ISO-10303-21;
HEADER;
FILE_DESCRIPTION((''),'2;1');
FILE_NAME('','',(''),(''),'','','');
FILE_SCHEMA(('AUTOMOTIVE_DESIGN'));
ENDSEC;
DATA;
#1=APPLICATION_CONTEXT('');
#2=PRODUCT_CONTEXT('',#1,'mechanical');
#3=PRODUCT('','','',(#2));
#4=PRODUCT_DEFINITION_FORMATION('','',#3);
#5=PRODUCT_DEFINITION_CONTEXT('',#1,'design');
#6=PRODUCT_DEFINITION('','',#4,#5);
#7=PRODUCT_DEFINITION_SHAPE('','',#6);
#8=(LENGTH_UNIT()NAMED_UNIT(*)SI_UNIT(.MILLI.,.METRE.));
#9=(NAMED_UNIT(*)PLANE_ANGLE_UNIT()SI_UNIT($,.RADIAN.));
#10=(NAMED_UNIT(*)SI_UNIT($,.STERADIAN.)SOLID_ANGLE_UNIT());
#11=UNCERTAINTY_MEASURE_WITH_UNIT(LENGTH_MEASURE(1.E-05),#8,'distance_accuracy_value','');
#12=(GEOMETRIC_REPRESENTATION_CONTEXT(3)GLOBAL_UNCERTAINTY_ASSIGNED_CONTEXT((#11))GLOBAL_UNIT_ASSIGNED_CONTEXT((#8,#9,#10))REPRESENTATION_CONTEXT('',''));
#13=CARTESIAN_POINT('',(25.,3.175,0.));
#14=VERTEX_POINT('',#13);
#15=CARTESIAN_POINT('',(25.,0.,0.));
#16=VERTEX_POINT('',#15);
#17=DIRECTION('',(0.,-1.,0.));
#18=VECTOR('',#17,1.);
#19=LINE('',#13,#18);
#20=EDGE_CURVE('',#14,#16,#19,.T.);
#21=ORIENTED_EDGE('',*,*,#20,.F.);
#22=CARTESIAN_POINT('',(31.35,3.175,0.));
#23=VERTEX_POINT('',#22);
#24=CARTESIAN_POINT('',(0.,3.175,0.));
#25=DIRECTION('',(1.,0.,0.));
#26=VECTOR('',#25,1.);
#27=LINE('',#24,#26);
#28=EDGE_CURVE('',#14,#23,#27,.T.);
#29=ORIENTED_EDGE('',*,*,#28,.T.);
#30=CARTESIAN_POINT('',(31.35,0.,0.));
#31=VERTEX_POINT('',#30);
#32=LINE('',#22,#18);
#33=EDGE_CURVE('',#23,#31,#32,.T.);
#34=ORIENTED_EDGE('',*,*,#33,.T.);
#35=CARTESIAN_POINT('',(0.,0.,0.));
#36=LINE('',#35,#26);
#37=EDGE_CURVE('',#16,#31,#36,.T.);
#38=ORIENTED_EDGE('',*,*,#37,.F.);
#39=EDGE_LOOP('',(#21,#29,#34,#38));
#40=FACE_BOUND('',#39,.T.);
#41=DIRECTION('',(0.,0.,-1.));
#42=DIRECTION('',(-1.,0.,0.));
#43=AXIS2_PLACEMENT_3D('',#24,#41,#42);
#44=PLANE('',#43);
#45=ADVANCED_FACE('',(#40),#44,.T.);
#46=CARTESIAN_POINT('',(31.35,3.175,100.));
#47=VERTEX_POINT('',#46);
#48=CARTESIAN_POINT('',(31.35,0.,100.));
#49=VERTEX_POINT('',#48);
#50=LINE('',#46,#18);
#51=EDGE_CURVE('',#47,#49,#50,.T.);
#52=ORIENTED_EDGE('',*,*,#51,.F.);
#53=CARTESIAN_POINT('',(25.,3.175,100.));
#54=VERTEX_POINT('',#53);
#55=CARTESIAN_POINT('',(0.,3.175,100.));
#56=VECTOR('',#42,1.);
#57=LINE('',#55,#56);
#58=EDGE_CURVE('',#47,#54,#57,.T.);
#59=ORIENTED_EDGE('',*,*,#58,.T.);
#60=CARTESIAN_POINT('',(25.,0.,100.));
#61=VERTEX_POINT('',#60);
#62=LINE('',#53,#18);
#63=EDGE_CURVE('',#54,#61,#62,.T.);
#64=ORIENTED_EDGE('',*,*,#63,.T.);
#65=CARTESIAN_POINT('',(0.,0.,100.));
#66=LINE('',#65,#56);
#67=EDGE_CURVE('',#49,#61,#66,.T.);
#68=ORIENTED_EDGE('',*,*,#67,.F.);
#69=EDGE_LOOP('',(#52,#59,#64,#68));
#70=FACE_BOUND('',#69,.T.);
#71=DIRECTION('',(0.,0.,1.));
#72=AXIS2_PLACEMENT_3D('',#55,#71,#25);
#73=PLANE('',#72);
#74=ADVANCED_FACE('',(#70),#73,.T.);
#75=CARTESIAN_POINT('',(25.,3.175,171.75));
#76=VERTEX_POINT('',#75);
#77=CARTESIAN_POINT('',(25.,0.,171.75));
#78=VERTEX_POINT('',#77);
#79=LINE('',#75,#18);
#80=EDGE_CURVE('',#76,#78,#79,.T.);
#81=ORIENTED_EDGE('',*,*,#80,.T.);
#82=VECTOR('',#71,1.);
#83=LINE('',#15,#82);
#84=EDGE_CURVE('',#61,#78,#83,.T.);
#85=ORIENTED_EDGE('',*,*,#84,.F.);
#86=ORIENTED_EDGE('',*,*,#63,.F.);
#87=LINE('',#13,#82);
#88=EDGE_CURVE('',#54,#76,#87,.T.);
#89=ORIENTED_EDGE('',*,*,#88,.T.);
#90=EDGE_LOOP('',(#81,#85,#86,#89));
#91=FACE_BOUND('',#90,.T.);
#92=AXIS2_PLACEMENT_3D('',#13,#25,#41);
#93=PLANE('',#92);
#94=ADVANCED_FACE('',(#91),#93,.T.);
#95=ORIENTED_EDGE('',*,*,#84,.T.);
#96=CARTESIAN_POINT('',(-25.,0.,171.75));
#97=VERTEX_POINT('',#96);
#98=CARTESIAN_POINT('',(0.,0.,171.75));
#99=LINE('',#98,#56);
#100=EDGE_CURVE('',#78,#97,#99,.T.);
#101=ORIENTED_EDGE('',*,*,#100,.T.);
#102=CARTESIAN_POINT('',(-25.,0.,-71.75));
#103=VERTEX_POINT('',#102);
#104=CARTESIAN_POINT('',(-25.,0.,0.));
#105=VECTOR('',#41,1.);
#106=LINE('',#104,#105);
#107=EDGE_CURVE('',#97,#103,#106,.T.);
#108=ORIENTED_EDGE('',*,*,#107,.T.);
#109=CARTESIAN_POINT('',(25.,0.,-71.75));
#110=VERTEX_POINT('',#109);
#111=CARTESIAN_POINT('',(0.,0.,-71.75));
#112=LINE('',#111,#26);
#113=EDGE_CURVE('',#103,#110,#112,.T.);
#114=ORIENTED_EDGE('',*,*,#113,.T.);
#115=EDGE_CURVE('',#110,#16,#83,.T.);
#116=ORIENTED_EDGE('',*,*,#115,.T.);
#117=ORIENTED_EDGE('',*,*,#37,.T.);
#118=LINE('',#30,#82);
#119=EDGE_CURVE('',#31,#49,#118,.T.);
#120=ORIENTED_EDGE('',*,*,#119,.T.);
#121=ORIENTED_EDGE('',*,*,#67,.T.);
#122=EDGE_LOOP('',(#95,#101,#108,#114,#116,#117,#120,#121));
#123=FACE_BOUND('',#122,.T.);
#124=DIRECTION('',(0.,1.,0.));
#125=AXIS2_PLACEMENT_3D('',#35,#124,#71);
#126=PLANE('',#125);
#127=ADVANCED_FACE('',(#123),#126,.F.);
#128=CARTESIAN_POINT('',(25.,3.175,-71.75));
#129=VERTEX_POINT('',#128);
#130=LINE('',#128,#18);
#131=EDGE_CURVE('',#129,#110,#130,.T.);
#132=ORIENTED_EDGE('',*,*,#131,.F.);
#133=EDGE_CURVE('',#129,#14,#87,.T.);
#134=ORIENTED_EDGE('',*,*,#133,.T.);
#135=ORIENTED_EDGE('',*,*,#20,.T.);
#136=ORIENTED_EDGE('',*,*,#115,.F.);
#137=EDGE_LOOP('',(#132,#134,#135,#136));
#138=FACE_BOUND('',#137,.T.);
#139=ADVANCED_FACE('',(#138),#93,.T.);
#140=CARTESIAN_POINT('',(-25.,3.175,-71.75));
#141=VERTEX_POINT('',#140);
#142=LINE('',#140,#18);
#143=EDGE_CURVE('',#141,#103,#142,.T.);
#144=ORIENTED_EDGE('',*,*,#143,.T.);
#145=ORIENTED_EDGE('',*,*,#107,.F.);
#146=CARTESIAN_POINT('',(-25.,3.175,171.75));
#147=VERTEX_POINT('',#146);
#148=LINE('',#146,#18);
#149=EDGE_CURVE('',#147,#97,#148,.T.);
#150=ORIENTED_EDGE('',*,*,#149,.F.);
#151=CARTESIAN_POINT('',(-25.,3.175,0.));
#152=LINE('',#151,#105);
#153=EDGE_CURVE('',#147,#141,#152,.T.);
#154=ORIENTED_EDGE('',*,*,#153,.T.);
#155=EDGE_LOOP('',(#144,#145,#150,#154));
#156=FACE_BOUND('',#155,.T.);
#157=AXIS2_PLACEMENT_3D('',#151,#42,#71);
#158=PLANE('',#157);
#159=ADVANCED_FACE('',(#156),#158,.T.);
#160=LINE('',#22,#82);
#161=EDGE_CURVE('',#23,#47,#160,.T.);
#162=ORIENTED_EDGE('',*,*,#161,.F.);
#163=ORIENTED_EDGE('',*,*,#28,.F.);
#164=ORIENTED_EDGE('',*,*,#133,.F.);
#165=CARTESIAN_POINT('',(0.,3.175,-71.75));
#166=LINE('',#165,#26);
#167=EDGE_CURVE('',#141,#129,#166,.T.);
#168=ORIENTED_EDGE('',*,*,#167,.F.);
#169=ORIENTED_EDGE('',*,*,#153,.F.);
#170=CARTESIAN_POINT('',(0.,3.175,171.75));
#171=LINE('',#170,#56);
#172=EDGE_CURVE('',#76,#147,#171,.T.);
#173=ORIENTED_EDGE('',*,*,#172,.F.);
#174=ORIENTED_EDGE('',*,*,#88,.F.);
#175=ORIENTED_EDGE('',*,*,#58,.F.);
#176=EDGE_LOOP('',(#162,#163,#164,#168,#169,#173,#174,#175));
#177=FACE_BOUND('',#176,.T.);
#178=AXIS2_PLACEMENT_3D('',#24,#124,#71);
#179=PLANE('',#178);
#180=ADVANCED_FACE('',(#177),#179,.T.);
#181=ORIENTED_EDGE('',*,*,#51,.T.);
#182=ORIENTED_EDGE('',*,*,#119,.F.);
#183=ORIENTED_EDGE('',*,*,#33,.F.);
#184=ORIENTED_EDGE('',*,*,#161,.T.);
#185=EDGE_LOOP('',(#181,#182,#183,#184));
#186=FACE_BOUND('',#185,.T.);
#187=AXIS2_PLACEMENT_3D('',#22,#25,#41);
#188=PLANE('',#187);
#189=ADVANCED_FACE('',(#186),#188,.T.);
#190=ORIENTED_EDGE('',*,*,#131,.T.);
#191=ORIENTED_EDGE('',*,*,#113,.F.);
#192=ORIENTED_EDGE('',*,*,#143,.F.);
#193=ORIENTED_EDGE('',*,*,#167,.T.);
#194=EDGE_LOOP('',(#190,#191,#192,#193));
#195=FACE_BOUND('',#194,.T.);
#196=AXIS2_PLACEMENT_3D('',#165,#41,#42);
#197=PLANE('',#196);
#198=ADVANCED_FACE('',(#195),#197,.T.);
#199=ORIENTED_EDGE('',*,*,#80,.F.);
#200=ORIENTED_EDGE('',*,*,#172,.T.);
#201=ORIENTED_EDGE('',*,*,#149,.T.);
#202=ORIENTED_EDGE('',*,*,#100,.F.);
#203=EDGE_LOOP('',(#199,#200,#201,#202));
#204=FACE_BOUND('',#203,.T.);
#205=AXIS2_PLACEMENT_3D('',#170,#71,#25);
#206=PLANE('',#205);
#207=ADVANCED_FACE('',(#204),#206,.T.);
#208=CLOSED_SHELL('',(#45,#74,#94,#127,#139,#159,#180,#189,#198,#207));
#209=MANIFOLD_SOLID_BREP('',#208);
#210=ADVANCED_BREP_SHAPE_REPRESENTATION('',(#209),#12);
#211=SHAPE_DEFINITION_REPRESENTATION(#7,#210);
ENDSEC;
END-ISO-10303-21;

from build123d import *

# Parameters (mm, degrees)
BOSS_EXTRUDE1_DEPTH = 3.175


with BuildPart() as part:
    # Sketch1 → Boss-Extrude1 (new body)
    with BuildSketch(Plane(origin=(0, 0, 0), x_dir=(1, 0, 0), z_dir=(0, 1, 0))):
        Polygon((-25, 0), (-25, 71.75), (25, 71.75), (25, 0), (31.35, 0), (31.35, -100), (25, -100), (25, -171.75), (-25, -171.75), (-25, -100), align=None)
    extrude(amount=BOSS_EXTRUDE1_DEPTH)


solid = part.part
